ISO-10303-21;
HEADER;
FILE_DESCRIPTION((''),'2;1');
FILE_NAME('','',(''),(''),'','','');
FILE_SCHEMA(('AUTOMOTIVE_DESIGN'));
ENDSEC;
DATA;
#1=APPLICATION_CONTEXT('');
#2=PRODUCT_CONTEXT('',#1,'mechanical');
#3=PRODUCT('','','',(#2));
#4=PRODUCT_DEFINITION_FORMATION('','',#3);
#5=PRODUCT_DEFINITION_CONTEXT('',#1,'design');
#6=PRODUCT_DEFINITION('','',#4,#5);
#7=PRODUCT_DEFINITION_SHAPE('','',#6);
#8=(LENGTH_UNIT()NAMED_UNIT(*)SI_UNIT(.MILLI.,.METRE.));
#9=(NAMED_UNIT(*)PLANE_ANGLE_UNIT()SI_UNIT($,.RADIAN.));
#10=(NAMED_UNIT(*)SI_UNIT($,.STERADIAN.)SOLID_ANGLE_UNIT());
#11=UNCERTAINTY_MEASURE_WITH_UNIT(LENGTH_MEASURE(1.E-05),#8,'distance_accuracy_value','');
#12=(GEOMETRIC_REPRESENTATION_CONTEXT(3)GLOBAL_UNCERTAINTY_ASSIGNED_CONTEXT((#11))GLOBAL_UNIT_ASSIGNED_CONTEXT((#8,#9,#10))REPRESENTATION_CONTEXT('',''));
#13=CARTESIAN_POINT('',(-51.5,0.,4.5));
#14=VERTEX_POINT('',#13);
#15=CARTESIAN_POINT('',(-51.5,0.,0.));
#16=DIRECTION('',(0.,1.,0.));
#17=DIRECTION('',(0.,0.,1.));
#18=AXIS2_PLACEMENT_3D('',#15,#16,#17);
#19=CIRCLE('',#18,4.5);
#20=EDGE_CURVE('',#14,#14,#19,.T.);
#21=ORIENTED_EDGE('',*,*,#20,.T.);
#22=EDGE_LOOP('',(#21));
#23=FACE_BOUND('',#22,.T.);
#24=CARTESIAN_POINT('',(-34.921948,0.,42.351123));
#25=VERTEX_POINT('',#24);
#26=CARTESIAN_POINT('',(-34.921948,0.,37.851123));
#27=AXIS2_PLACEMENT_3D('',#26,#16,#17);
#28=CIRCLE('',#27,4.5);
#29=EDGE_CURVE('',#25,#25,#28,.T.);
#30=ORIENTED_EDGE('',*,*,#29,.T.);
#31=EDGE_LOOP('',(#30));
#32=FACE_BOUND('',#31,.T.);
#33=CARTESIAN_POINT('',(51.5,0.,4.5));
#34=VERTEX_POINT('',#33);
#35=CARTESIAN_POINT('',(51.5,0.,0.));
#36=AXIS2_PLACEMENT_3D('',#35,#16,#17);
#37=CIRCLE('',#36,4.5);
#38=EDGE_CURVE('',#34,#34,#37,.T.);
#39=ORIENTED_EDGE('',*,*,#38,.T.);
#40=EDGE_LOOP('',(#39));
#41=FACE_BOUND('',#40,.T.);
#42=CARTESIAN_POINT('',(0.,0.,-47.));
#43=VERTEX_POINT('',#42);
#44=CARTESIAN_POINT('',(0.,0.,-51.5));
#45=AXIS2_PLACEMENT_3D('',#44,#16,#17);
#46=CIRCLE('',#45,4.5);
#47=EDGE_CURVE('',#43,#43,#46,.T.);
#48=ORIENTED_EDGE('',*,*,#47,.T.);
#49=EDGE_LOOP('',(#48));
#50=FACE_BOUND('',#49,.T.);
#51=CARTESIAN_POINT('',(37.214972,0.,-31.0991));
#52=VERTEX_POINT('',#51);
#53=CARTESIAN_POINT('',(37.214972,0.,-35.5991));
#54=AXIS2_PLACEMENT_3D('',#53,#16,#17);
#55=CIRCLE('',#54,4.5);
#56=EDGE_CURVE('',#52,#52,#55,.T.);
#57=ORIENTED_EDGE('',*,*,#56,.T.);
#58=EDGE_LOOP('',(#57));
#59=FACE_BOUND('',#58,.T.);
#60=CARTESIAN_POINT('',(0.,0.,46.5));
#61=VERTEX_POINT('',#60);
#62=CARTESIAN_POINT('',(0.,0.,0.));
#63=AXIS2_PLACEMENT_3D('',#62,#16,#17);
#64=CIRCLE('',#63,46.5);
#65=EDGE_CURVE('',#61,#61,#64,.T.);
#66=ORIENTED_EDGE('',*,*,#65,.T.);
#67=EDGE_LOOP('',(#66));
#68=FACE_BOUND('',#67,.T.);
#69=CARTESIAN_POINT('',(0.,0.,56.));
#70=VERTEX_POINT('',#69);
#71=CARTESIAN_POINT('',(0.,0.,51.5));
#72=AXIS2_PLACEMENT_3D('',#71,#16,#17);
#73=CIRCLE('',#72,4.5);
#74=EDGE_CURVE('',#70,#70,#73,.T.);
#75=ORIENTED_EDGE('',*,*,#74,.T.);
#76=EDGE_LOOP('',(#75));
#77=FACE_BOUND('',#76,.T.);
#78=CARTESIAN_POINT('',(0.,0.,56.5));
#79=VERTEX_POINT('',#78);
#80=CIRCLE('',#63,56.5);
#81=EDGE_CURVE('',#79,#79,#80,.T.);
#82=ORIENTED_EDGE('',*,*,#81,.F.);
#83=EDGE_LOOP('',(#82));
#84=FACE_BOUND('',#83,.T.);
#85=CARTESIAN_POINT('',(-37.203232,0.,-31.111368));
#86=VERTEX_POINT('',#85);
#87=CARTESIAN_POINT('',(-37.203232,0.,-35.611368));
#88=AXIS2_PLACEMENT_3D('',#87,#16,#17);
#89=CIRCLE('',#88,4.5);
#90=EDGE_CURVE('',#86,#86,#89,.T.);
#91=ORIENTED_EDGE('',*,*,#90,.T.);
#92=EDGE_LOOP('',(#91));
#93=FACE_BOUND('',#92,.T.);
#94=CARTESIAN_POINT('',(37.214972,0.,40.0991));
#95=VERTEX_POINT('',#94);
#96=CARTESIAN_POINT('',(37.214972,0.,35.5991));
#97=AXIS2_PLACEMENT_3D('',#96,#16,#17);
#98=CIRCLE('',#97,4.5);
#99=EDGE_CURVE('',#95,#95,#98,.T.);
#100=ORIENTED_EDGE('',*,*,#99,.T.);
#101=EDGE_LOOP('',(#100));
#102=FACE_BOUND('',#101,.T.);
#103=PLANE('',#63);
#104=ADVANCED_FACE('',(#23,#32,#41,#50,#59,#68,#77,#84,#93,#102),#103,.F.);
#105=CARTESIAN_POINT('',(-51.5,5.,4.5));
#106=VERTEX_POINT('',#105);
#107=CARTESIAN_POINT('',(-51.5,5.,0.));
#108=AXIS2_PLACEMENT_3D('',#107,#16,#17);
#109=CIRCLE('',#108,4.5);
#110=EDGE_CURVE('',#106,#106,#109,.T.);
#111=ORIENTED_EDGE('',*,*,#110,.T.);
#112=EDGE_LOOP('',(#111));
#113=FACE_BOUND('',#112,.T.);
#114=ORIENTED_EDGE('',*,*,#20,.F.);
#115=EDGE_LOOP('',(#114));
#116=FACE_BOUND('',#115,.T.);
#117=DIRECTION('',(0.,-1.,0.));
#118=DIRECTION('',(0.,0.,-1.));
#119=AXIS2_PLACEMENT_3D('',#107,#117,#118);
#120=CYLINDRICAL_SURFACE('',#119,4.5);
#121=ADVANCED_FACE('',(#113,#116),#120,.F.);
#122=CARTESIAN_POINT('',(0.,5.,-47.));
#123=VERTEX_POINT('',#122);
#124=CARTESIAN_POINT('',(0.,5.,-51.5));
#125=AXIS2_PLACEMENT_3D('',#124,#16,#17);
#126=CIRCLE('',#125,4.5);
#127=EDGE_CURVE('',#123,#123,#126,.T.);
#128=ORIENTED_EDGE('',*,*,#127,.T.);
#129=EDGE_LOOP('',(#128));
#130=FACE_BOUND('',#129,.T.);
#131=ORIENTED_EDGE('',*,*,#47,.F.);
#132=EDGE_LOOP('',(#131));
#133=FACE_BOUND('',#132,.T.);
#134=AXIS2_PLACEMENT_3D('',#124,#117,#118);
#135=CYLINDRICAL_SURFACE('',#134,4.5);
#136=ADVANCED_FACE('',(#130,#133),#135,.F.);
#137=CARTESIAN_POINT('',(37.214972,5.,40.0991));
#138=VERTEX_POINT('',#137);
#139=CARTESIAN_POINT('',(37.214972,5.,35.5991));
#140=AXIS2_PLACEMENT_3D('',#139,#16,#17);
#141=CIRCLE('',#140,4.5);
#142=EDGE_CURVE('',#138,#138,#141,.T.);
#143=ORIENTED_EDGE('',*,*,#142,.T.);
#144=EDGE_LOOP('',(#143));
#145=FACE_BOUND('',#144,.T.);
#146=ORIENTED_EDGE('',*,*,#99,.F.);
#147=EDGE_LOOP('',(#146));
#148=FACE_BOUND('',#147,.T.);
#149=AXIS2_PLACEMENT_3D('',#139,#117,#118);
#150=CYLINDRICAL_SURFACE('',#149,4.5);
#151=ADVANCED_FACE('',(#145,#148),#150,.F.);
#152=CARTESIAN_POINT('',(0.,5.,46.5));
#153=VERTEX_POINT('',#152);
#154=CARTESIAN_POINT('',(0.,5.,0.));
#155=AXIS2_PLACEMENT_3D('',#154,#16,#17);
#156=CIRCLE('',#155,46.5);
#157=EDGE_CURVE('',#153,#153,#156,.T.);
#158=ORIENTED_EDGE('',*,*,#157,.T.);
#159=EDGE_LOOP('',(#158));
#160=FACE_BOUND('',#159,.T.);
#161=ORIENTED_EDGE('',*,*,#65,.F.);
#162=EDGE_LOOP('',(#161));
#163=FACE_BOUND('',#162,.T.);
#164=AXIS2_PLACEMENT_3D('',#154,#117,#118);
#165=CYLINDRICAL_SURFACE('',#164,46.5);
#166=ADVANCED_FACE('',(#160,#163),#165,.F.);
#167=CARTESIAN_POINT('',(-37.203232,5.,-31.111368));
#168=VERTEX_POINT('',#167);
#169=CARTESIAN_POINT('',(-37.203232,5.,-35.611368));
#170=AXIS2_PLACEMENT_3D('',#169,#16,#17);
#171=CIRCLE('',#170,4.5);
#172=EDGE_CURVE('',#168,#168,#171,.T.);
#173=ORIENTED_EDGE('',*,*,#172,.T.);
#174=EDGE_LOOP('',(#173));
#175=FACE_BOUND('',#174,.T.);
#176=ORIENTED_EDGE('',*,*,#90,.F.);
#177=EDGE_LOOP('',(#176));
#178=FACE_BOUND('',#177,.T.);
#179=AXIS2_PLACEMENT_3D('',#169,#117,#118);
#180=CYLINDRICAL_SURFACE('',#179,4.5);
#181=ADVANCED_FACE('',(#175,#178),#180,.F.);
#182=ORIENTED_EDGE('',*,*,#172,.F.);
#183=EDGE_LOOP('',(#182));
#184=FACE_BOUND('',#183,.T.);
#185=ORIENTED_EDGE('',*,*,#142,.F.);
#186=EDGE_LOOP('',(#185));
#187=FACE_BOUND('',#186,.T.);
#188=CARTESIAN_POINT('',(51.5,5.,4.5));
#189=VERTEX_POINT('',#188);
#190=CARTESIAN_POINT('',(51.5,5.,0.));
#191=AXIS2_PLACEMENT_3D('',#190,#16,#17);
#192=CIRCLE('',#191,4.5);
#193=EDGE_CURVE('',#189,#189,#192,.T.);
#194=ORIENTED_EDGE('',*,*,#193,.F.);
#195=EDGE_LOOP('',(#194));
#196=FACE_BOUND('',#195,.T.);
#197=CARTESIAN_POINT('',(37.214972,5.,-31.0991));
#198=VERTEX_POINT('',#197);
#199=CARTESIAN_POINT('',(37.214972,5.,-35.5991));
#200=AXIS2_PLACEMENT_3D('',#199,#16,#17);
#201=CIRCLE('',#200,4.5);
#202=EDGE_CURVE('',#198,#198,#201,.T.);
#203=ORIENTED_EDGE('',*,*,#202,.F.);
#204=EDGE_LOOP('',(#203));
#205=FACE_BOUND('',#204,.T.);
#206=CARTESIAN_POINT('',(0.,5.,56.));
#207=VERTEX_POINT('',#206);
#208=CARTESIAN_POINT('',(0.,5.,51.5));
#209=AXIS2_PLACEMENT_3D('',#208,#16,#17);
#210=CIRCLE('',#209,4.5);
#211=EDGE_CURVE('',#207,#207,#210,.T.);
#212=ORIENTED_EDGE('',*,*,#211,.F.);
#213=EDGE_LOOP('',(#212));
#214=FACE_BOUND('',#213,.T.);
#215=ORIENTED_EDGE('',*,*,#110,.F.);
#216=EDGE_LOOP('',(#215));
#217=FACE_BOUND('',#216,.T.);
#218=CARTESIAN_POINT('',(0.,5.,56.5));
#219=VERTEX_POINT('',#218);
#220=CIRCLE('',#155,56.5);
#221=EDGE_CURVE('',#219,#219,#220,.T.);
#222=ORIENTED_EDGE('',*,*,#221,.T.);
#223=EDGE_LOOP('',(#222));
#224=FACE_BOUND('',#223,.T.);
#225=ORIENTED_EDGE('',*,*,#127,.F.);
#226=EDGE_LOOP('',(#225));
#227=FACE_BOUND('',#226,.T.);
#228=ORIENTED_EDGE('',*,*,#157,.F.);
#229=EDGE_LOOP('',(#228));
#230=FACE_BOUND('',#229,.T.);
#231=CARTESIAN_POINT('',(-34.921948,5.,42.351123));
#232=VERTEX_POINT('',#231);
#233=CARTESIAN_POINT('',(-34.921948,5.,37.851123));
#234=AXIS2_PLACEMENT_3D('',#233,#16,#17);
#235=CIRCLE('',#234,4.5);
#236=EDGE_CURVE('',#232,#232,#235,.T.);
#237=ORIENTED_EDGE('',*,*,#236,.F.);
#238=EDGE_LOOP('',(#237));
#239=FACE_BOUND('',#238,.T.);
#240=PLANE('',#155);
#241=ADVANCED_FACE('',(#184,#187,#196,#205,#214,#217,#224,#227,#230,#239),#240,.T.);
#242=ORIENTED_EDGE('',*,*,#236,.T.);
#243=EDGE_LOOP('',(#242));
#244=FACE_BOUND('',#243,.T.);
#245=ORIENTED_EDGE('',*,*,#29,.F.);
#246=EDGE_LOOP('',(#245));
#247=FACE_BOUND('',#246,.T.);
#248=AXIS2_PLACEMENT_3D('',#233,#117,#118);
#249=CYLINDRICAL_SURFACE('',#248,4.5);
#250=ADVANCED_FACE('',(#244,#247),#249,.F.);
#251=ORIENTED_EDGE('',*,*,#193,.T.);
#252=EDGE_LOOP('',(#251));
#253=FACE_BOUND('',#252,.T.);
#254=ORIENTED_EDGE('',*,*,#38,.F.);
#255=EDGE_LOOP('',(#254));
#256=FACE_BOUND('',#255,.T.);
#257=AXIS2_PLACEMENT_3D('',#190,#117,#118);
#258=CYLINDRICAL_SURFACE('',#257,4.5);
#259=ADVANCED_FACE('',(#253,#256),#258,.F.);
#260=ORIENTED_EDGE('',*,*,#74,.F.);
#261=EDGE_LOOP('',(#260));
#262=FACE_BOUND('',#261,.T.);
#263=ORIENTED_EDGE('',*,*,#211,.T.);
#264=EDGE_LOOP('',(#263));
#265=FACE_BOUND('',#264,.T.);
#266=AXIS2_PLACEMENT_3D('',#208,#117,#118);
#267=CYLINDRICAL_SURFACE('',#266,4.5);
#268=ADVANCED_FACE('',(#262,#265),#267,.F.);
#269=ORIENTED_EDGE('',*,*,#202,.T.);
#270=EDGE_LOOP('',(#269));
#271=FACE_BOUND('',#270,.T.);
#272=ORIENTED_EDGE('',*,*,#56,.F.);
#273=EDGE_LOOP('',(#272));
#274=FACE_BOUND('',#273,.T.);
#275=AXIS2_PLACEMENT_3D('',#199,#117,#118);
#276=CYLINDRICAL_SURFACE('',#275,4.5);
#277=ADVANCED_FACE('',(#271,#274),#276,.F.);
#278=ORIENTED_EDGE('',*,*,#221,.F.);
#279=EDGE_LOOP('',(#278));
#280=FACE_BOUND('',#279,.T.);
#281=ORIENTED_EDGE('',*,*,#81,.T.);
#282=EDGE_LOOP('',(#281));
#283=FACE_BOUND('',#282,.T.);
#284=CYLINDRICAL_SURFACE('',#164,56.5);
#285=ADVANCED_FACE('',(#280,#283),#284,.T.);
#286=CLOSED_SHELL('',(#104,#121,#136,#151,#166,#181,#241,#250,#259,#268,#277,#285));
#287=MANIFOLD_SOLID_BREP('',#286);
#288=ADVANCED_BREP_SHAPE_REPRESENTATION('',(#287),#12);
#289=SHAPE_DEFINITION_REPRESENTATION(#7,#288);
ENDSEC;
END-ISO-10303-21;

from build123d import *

# Parameters (mm, degrees)
BOSS_EXTRUDE1_DEPTH = 5


with BuildPart() as part:
    # Sketch1 → Boss-Extrude1 (new body)
    with BuildSketch(Plane(origin=(0, 0, 0), x_dir=(1, 0, 0), z_dir=(0, 1, 0))):
        with BuildLine():
            ThreePointArc((0, -56.5), (22.199372282, -51.95611485), (40.828075606, -39.055322843))
            Line((40.828075606, -39.055322843), (40.466765202, -38.709700517))
            ThreePointArc((40.466765202, -38.709700517), (34.104370635, -38.850893215), (33.963177937, -32.488498648))
            Line((33.963177937, -32.488498648), (33.601867534, -32.142876322))
            ThreePointArc((33.601867534, -32.142876322), (18.270279842, -42.76034231), (0, -46.5))
            Line((0, -46.5), (0, -47))
            ThreePointArc((0, -47), (3.181980515, -48.318019485), (4.5, -51.5))
            ThreePointArc((4.5, -51.5), (3.181980515, -54.681980515), (0, -56))
            Line((0, -56), (0, -56.5))
        make_face()
        with BuildLine():
            ThreePointArc((40.828075606, -39.055322843), (52.435847813, -21.041194456), (56.5, 0))
            Line((56.5, 0), (56, 0))
            ThreePointArc((56, 0), (51.5, -4.5), (47, 0))
            Line((47, 0), (46.5, 0))
            ThreePointArc((46.5, 0), (43.155166784, -17.317089243), (33.601867534, -32.142876322))
            Line((33.601867534, -32.142876322), (33.963177937, -32.488498648))
            ThreePointArc((33.963177937, -32.488498648), (38.890818916, -31.422793119), (41.71497157, -35.599099582))
            ThreePointArc((41.71497157, -35.599099582), (41.391278033, -37.274946928), (40.466765202, -38.709700517))
            Line((40.466765202, -38.709700517), (40.828075606, -39.055322843))
        make_face()
        with BuildLine():
            ThreePointArc((56.5, 0), (52.435847813, 21.041194456), (40.828075606, 39.055322843))
            Line((40.828075606, 39.055322843), (40.466765202, 38.709700517))
            ThreePointArc((40.466765202, 38.709700517), (41.391278033, 37.274946928), (41.71497157, 35.599099582))
            ThreePointArc((41.71497157, 35.599099582), (38.890818916, 31.422793119), (33.963177937, 32.488498648))
            Line((33.963177937, 32.488498648), (33.601867534, 32.142876322))
            ThreePointArc((33.601867534, 32.142876322), (43.155166784, 17.317089243), (46.5, 0))
            Line((46.5, 0), (47, 0))
            ThreePointArc((47, 0), (51.5, 4.5), (56, 0))
            Line((56, 0), (56.5, 0))
        make_face()
        with BuildLine():
            ThreePointArc((40.828075606, 39.055322843), (22.199372282, 51.95611485), (0, 56.5))
            Line((0, 56.5), (0, 56))
            ThreePointArc((0, 56), (3.181980515, 54.681980515), (4.5, 51.5))
            ThreePointArc((4.5, 51.5), (3.181980515, 48.318019485), (0, 47))
            Line((0, 47), (0, 46.5))
            ThreePointArc((0, 46.5), (18.270279842, 42.76034231), (33.601867534, 32.142876322))
            Line((33.601867534, 32.142876322), (33.963177937, 32.488498648))
            ThreePointArc((33.963177937, 32.488498648), (34.104370635, 38.850893215), (40.466765202, 38.709700517))
            Line((40.466765202, 38.709700517), (40.828075606, 39.055322843))
        make_face()
        with BuildLine():
            Line((0, 56), (0, 56.5))
            ThreePointArc((0, 56.5), (-22.190806646, 51.959773868), (-40.815196293, 39.068782315))
            Line((-40.815196293, 39.068782315), (-40.453999865, 38.723040879))
            ThreePointArc((-40.453999865, 38.723040879), (-35.526696202, 39.787398082), (-32.703232019, 35.611367951))
            ThreePointArc((-32.703232019, 35.611367951), (-33.027201888, 33.934832134), (-33.952464173, 32.499695023))
            Line((-33.952464173, 32.499695023), (-33.591267745, 32.153953587))
            ThreePointArc((-33.591267745, 32.153953587), (-18.263230248, 42.763353714), (0, 46.5))
            Line((0, 46.5), (0, 47))
            ThreePointArc((0, 47), (-4.5, 51.5), (0, 56))
        make_face()
        with BuildLine():
            Line((-40.453999865, 38.723040879), (-40.815196293, 39.068782315))
            ThreePointArc((-40.815196293, 39.068782315), (-52.43237831, 21.049838592), (-56.5, 0))
            Line((-56.5, 0), (-56, 0))
            ThreePointArc((-56, 0), (-51.5, 4.5), (-47, 0))
            Line((-47, 0), (-46.5, 0))
            ThreePointArc((-46.5, 0), (-43.152311353, 17.324203443), (-33.591267745, 32.153953587))
            Line((-33.591267745, 32.153953587), (-33.952464173, 32.499695023))
            ThreePointArc((-33.952464173, 32.499695023), (-40.314904947, 32.360600105), (-40.453999865, 38.723040879))
        make_face()
        with BuildLine():
            Line((-56, 0), (-56.5, 0))
            ThreePointArc((-56.5, 0), (-51.753754464, -22.667132569), (-38.312428358, -41.525989854))
            Line((-38.312428358, -41.525989854), (-37.973380319, -41.158503218))
            ThreePointArc((-37.973380319, -41.158503218), (-38.229327695, -34.799691148), (-31.870515625, -34.543743772))
            Line((-31.870515625, -34.543743772), (-31.531467586, -34.176257136))
            ThreePointArc((-31.531467586, -34.176257136), (-42.593797922, -18.655250698), (-46.5, 0))
            Line((-46.5, 0), (-47, 0))
            ThreePointArc((-47, 0), (-51.5, -4.5), (-56, 0))
        make_face()
        with BuildLine():
            Line((-37.973380319, -41.158503218), (-38.312428358, -41.525989854))
            ThreePointArc((-38.312428358, -41.525989854), (-20.567347584, -52.623513883), (0, -56.5))
            Line((0, -56.5), (0, -56))
            ThreePointArc((0, -56), (-4.5, -51.5), (0, -47))
            Line((0, -47), (0, -46.5))
            ThreePointArc((0, -46.5), (-16.927109073, -43.30961762), (-31.531467586, -34.176257136))
            Line((-31.531467586, -34.176257136), (-31.870515625, -34.543743772))
            ThreePointArc((-31.870515625, -34.543743772), (-30.799967528, -36.045776653), (-30.421947972, -37.851123495))
            ThreePointArc((-30.421947972, -37.851123495), (-33.11660113, -41.973103939), (-37.973380319, -41.158503218))
        make_face()
    extrude(amount=BOSS_EXTRUDE1_DEPTH)


solid = part.part
